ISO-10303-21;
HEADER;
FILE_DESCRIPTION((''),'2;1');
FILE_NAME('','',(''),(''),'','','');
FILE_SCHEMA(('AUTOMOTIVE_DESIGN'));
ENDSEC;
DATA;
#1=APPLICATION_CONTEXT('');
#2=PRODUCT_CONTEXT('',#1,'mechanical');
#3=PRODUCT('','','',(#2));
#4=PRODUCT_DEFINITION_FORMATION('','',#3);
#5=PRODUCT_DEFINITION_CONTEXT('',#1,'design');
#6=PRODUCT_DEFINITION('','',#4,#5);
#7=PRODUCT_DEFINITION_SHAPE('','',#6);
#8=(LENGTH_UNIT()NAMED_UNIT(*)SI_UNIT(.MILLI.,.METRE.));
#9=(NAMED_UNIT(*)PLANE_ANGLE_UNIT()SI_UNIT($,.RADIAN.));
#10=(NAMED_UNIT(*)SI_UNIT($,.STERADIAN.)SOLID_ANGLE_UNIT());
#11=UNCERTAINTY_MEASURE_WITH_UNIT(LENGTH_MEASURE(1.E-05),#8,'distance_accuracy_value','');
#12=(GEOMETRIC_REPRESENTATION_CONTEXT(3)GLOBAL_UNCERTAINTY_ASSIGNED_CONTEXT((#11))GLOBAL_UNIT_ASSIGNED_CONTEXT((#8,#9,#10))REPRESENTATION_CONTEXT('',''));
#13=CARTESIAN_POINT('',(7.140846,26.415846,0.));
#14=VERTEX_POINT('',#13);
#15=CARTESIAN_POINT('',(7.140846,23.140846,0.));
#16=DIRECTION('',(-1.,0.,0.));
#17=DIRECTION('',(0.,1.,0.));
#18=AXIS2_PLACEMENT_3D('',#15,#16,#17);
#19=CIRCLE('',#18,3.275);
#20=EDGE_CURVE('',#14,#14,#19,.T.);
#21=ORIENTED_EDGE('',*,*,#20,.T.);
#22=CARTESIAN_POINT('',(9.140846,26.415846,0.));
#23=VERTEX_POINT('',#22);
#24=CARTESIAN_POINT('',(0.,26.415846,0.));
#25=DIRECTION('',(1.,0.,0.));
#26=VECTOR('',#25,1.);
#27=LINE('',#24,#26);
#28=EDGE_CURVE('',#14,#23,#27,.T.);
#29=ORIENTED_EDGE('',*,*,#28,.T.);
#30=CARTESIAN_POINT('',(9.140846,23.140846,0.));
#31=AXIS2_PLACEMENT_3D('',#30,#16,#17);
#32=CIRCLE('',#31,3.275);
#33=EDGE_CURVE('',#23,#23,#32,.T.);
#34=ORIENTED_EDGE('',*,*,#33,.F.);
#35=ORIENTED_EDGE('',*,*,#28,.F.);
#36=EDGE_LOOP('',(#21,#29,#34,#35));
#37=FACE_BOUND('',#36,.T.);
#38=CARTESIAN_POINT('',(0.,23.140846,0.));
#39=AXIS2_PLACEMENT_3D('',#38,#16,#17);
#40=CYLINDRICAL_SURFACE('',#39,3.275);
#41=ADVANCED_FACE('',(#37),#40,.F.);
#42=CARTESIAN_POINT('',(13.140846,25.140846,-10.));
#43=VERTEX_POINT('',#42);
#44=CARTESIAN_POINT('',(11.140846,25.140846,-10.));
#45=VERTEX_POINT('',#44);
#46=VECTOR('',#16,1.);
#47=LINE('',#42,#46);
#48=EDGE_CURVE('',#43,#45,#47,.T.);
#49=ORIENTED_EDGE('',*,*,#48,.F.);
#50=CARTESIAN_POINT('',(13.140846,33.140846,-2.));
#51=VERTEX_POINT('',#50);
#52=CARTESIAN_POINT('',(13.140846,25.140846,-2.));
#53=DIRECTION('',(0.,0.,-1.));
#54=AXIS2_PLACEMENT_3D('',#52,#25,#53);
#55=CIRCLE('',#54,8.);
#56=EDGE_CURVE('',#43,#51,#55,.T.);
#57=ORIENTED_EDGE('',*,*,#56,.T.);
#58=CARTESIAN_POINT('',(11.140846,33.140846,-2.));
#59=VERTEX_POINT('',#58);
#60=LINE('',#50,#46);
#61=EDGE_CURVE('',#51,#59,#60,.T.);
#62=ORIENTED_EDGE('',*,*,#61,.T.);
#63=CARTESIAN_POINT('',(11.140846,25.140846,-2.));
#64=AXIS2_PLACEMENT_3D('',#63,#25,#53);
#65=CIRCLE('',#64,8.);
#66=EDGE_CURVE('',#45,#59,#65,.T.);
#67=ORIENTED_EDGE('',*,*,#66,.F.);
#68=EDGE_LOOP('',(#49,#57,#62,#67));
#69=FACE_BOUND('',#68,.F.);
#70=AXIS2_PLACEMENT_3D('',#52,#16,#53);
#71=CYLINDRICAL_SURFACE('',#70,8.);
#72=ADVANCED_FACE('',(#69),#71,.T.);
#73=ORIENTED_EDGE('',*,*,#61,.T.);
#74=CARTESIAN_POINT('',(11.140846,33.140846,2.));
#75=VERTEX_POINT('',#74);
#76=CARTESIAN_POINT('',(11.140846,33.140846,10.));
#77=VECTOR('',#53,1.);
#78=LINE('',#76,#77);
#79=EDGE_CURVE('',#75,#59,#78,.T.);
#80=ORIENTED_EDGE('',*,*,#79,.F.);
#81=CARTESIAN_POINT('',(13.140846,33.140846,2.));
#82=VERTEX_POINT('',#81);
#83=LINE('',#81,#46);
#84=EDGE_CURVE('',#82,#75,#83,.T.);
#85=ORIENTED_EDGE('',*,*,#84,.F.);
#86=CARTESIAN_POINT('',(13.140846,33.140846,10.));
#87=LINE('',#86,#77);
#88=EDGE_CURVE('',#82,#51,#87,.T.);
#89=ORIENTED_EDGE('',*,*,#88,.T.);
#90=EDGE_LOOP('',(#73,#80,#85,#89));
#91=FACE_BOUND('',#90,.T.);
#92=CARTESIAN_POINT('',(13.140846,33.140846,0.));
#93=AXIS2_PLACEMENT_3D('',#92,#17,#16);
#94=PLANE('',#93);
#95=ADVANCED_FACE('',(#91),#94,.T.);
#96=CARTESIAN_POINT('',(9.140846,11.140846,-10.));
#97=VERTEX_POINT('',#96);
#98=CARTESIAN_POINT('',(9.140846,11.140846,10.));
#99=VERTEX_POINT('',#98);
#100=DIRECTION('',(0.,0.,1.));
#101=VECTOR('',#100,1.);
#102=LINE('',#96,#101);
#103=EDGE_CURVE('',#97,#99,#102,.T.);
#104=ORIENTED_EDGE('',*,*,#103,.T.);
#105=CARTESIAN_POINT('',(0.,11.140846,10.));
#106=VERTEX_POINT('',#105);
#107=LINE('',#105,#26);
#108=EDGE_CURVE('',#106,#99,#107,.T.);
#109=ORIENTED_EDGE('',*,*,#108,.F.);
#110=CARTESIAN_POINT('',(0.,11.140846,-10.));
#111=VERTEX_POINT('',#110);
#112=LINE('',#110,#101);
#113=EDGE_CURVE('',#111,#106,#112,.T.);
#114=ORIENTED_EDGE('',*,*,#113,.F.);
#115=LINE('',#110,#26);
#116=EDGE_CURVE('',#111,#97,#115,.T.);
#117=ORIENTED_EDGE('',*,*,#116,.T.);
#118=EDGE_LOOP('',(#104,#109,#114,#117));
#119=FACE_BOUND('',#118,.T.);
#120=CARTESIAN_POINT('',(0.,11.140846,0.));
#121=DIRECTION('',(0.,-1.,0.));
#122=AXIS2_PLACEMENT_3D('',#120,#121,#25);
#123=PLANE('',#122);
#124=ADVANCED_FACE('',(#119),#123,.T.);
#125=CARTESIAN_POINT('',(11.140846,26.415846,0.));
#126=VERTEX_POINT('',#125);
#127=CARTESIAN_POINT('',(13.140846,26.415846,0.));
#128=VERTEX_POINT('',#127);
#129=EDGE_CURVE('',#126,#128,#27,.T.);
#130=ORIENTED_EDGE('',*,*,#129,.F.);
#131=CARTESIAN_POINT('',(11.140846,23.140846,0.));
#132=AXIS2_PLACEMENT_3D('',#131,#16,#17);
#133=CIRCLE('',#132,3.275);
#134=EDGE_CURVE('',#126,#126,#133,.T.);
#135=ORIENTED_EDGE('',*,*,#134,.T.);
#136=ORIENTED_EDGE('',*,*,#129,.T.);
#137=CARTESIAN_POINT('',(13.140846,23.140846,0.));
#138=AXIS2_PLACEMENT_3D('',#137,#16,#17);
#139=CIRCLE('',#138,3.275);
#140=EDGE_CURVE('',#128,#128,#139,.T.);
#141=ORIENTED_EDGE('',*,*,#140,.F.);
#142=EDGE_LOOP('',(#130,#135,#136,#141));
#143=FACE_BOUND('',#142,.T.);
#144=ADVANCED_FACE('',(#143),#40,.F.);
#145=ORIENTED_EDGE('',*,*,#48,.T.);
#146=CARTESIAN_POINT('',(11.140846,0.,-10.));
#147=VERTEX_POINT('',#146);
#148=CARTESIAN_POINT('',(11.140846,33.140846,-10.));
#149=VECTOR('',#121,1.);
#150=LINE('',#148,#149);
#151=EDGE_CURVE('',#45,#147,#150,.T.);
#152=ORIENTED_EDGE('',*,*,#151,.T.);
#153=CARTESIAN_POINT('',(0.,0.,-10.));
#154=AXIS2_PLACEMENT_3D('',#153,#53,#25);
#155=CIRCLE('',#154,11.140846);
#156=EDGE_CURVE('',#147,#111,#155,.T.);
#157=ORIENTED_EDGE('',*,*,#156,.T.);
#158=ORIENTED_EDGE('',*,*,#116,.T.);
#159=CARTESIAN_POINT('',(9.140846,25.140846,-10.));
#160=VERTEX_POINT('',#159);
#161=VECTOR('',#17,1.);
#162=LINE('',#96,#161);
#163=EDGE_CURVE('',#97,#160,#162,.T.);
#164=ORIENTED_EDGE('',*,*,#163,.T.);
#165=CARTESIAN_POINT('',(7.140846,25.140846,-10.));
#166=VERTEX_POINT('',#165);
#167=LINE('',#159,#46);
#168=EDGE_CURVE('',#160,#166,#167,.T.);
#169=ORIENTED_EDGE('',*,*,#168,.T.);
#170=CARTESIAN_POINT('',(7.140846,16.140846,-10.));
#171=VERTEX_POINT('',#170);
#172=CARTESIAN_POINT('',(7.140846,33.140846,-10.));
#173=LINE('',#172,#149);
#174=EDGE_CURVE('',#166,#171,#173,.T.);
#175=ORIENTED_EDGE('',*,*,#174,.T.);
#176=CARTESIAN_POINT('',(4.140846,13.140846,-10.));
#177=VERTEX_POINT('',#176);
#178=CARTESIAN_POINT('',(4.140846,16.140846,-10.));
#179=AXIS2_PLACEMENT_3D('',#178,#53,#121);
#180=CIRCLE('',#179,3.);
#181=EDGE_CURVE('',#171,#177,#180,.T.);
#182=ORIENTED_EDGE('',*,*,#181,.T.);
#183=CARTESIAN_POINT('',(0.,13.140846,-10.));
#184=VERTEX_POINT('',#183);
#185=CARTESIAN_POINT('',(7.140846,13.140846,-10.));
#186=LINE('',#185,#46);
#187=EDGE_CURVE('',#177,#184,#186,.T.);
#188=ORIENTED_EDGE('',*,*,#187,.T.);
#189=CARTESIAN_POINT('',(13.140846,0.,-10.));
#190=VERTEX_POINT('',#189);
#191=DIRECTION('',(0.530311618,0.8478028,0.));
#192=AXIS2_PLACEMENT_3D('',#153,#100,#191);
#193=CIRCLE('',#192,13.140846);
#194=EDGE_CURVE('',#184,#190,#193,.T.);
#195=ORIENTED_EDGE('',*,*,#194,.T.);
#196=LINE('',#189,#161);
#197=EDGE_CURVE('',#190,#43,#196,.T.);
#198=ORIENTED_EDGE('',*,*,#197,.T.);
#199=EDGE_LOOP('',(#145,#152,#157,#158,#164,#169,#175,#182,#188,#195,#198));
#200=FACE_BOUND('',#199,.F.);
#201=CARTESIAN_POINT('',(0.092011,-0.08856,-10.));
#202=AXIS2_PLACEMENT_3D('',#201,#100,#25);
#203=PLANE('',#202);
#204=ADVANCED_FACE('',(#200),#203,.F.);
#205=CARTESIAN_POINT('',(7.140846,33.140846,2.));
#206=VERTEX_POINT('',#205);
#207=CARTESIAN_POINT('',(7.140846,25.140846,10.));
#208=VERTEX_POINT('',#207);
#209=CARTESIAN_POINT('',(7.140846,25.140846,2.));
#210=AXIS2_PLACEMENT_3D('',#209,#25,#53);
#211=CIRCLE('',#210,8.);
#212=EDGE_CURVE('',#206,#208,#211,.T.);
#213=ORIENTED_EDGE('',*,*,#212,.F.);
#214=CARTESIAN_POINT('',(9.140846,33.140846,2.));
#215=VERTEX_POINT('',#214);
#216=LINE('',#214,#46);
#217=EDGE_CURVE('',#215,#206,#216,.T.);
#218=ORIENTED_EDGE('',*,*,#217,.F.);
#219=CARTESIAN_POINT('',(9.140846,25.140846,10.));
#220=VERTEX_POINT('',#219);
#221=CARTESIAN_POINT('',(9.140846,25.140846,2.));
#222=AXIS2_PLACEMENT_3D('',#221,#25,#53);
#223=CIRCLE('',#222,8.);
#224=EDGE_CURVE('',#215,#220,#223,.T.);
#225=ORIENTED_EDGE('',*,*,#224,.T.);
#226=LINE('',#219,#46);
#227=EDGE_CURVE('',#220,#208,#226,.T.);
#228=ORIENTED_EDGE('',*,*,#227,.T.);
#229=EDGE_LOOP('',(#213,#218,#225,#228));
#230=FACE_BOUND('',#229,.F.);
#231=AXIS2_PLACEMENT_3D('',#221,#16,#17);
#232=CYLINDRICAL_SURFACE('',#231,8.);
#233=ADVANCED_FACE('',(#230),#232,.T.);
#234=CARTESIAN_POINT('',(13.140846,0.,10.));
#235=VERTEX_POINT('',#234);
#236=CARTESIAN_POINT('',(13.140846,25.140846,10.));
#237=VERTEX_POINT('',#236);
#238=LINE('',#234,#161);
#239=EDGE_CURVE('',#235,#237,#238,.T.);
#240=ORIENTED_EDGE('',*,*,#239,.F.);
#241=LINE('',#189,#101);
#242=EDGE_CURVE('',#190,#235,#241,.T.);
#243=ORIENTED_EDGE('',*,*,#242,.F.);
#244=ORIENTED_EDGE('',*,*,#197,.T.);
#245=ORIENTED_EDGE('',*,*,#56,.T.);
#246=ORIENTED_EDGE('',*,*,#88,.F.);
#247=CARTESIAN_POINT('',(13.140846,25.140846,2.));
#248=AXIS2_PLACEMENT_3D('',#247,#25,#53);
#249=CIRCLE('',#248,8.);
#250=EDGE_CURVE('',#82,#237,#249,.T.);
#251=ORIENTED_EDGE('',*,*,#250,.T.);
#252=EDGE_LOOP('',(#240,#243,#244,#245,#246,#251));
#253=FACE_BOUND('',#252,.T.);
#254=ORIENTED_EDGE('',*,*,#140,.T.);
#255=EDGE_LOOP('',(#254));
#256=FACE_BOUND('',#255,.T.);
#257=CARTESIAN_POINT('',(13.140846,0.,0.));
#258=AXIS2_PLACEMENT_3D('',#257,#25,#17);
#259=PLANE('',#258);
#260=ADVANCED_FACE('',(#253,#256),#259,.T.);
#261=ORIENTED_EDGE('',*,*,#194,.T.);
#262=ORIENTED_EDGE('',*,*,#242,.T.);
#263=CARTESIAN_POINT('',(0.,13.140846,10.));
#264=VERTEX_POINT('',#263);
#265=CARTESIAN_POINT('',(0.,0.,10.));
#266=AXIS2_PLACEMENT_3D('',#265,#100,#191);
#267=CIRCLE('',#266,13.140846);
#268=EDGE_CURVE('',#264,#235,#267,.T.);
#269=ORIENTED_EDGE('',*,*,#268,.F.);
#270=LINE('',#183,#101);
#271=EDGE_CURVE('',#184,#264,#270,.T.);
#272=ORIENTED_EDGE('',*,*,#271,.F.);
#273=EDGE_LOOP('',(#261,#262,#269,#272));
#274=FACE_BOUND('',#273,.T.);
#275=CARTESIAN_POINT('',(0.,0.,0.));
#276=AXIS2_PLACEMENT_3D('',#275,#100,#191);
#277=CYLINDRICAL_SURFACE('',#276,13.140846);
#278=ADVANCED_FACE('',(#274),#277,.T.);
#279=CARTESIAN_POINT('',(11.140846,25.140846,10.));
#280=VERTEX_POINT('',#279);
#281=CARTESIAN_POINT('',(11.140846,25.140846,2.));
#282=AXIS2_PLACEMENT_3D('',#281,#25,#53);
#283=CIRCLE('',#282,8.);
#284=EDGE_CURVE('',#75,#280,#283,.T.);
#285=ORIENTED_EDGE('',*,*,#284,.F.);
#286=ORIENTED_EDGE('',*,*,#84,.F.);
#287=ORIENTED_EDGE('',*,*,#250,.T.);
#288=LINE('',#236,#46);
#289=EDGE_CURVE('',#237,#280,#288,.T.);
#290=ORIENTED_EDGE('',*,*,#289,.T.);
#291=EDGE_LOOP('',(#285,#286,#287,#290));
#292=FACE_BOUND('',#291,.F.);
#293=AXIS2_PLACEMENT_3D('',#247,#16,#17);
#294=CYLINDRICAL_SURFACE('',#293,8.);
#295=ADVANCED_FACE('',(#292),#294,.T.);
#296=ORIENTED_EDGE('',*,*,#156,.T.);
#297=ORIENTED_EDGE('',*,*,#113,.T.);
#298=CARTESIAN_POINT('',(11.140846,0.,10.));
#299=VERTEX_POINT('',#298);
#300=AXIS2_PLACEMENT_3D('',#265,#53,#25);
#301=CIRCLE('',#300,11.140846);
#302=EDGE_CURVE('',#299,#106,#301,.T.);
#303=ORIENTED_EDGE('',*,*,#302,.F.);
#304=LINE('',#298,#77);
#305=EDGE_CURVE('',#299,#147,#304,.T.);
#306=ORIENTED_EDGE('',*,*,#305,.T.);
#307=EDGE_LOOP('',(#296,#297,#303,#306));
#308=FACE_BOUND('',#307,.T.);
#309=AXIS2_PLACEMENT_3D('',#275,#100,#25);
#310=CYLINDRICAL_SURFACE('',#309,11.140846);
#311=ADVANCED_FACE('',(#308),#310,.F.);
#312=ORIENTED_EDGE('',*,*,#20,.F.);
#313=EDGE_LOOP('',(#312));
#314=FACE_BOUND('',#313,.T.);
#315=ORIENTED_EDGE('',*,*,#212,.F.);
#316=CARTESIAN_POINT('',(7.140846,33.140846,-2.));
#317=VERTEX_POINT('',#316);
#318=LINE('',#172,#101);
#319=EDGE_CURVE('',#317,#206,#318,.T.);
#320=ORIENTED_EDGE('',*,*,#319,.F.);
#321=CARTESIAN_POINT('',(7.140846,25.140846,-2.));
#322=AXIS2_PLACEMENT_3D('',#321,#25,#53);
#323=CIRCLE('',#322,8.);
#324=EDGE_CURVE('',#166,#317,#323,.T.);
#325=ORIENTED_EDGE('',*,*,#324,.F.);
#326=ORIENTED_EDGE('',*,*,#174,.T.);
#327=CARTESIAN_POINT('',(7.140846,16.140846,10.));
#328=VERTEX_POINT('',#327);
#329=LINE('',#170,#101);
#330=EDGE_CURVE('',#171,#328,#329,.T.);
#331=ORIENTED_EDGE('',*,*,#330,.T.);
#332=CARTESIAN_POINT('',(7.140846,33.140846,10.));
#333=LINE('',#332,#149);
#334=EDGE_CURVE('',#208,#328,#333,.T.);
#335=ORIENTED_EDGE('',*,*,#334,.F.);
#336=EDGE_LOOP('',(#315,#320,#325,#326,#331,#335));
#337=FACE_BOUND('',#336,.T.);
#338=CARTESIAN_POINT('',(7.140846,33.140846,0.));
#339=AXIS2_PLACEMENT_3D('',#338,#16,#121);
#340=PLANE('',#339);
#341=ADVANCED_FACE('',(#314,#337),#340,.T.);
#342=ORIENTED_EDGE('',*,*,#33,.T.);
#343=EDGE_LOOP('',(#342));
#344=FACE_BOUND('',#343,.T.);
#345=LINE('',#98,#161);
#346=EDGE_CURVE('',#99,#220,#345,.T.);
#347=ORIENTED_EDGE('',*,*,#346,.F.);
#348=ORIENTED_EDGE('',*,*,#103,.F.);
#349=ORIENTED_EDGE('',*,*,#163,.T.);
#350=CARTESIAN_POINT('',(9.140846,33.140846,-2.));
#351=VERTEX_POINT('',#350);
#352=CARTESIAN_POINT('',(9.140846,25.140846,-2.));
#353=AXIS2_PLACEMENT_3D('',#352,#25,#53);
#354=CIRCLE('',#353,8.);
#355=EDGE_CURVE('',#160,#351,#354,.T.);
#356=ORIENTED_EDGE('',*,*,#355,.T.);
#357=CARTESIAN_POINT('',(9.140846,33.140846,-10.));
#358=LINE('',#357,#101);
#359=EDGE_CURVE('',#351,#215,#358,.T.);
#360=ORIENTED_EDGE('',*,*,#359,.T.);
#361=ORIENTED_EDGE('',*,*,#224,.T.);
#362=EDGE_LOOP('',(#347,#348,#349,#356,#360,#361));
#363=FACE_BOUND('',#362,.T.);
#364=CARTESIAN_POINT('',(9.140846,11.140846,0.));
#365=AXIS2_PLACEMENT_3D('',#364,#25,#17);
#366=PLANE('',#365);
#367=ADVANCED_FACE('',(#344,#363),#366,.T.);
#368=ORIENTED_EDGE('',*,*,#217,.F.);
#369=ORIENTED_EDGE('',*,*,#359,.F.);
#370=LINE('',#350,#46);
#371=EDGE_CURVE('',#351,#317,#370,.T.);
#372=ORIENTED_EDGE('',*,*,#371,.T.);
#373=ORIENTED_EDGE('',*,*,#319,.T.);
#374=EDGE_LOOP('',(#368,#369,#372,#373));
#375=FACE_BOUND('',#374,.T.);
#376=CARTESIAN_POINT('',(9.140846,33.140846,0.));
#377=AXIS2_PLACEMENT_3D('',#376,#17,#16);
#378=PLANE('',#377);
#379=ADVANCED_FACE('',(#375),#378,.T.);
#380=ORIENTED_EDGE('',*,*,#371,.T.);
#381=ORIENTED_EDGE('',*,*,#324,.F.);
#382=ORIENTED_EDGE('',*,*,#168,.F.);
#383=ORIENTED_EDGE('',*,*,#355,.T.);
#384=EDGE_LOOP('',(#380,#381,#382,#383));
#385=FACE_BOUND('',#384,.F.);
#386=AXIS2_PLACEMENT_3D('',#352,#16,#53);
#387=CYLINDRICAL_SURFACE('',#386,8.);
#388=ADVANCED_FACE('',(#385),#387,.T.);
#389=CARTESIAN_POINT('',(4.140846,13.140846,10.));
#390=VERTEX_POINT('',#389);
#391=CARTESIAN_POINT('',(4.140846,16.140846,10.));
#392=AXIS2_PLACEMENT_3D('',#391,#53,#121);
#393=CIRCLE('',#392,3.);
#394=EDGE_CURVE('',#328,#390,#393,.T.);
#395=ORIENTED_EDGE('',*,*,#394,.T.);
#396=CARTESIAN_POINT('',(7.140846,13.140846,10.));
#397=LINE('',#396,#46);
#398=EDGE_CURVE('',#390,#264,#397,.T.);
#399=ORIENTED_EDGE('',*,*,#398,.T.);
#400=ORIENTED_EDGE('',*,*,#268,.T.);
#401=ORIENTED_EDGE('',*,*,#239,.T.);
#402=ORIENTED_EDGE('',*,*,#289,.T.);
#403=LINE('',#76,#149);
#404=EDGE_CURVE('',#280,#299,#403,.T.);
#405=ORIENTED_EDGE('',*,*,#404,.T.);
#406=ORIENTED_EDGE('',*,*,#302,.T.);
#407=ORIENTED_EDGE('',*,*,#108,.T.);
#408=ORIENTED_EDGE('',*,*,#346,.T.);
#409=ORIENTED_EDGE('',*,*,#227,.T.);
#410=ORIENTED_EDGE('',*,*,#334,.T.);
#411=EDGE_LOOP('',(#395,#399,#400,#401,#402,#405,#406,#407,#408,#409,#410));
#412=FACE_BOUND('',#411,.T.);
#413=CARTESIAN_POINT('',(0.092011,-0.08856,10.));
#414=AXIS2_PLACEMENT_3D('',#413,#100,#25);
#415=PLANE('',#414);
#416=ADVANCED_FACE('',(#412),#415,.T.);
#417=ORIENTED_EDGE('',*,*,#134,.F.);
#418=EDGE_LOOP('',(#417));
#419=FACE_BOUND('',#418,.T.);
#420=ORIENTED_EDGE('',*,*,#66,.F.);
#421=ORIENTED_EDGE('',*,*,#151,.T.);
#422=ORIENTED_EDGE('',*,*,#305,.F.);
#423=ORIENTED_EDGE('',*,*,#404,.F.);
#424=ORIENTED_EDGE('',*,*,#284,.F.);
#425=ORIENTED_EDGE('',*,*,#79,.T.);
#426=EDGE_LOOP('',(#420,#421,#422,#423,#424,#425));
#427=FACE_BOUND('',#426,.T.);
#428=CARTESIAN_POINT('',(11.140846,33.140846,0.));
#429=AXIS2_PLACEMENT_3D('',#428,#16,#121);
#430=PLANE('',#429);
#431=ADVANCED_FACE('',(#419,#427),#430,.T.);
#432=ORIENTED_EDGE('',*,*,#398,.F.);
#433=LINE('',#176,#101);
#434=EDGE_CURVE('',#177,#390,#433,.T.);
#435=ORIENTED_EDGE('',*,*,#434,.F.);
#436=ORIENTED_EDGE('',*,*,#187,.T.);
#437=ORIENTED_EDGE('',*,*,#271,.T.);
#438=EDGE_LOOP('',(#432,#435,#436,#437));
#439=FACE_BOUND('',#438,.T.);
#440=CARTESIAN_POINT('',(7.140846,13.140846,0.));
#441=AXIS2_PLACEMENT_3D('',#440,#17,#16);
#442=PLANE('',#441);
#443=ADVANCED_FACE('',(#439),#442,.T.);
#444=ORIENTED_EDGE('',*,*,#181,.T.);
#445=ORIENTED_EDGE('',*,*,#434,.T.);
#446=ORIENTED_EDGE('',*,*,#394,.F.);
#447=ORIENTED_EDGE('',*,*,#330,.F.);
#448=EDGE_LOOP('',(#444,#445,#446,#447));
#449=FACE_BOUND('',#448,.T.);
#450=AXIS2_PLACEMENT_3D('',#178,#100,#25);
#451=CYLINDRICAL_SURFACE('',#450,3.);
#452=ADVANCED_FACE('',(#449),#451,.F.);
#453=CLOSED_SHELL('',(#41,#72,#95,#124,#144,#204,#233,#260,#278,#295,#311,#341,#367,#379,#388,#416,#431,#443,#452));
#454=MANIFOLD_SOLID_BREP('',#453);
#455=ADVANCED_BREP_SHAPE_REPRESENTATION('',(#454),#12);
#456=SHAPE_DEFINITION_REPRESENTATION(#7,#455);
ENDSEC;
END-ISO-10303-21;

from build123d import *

# Parameters (mm, degrees)
F1_DEPTH = 10
F2_R     = 3.275
F3_DEPTH = 13.1418462065
F4_R     = 3
F5_R     = 8


with BuildPart() as f1:
    # F0 (on Top) → F1 (new body, symmetric)
    with BuildSketch(Plane.XY):
        with BuildLine():
            Line((11.1408462065, 6.968743418), (11.1408462065, 0))
            ThreePointArc((11.1408462065, 0), (-7.8777679008, -7.8777679008), (0, 11.1408462065))
            Line((0, 11.1408462065), (6.968743418, 11.1408462065))
            ThreePointArc((6.968743418, 11.1408462065), (3.6250305111, 12.6309537572), (0, 13.1408462065))
            ThreePointArc((0, 13.1408462065), (-9.2919814631, -9.2919814631), (13.1408462065, 0))
            ThreePointArc((13.1408462065, 0), (12.6309537572, 3.6250305111), (11.1408462065, 6.968743418))
        make_face()
        with BuildLine():
            ThreePointArc((0, 13.1408462065), (3.6250305111, 12.6309537572), (6.968743418, 11.1408462065))
            Line((6.968743418, 11.1408462065), (9.1408462065, 11.1408462065))
            Line((9.1408462065, 11.1408462065), (9.1408462065, 33.1408462065))
            Line((9.1408462065, 33.1408462065), (7.1408462065, 33.1408462065))
            Line((7.1408462065, 33.1408462065), (7.1408462065, 13.1408462065))
            Line((7.1408462065, 13.1408462065), (0, 13.1408462065))
        make_face()
        with BuildLine():
            Line((11.1408462065, 33.1408462065), (11.1408462065, 6.968743418))
            ThreePointArc((11.1408462065, 6.968743418), (12.6309537572, 3.6250305111), (13.1408462065, 0))
            Line((13.1408462065, 0), (13.1408462065, 33.1408462065))
            Line((13.1408462065, 33.1408462065), (11.1408462065, 33.1408462065))
        make_face()
    extrude(amount=F1_DEPTH, both=True)

    # F2 (on Right) → F3 (cut, through all)
    with BuildSketch(Plane.YZ):
        with Locations((23.1408462065, 0)):
            Circle(F2_R)
    extrude(amount=F3_DEPTH, mode=Mode.SUBTRACT)

    # F4
    f4_edges = [f1.edges().sort_by_distance(p)[0] for p in [
        (7.140846, 13.140846, 0),
    ]]
    fillet(f4_edges, radius=F4_R)

    # F5
    f5_edges = [f1.edges().sort_by_distance(p)[0] for p in [
        (8.140846, 33.140846, 10),
        (12.140846, 33.140846, 10),
        (12.140846, 33.140846, -10),
        (8.140846, 33.140846, -10),
    ]]
    fillet(f5_edges, radius=F5_R)


solid = f1.part
